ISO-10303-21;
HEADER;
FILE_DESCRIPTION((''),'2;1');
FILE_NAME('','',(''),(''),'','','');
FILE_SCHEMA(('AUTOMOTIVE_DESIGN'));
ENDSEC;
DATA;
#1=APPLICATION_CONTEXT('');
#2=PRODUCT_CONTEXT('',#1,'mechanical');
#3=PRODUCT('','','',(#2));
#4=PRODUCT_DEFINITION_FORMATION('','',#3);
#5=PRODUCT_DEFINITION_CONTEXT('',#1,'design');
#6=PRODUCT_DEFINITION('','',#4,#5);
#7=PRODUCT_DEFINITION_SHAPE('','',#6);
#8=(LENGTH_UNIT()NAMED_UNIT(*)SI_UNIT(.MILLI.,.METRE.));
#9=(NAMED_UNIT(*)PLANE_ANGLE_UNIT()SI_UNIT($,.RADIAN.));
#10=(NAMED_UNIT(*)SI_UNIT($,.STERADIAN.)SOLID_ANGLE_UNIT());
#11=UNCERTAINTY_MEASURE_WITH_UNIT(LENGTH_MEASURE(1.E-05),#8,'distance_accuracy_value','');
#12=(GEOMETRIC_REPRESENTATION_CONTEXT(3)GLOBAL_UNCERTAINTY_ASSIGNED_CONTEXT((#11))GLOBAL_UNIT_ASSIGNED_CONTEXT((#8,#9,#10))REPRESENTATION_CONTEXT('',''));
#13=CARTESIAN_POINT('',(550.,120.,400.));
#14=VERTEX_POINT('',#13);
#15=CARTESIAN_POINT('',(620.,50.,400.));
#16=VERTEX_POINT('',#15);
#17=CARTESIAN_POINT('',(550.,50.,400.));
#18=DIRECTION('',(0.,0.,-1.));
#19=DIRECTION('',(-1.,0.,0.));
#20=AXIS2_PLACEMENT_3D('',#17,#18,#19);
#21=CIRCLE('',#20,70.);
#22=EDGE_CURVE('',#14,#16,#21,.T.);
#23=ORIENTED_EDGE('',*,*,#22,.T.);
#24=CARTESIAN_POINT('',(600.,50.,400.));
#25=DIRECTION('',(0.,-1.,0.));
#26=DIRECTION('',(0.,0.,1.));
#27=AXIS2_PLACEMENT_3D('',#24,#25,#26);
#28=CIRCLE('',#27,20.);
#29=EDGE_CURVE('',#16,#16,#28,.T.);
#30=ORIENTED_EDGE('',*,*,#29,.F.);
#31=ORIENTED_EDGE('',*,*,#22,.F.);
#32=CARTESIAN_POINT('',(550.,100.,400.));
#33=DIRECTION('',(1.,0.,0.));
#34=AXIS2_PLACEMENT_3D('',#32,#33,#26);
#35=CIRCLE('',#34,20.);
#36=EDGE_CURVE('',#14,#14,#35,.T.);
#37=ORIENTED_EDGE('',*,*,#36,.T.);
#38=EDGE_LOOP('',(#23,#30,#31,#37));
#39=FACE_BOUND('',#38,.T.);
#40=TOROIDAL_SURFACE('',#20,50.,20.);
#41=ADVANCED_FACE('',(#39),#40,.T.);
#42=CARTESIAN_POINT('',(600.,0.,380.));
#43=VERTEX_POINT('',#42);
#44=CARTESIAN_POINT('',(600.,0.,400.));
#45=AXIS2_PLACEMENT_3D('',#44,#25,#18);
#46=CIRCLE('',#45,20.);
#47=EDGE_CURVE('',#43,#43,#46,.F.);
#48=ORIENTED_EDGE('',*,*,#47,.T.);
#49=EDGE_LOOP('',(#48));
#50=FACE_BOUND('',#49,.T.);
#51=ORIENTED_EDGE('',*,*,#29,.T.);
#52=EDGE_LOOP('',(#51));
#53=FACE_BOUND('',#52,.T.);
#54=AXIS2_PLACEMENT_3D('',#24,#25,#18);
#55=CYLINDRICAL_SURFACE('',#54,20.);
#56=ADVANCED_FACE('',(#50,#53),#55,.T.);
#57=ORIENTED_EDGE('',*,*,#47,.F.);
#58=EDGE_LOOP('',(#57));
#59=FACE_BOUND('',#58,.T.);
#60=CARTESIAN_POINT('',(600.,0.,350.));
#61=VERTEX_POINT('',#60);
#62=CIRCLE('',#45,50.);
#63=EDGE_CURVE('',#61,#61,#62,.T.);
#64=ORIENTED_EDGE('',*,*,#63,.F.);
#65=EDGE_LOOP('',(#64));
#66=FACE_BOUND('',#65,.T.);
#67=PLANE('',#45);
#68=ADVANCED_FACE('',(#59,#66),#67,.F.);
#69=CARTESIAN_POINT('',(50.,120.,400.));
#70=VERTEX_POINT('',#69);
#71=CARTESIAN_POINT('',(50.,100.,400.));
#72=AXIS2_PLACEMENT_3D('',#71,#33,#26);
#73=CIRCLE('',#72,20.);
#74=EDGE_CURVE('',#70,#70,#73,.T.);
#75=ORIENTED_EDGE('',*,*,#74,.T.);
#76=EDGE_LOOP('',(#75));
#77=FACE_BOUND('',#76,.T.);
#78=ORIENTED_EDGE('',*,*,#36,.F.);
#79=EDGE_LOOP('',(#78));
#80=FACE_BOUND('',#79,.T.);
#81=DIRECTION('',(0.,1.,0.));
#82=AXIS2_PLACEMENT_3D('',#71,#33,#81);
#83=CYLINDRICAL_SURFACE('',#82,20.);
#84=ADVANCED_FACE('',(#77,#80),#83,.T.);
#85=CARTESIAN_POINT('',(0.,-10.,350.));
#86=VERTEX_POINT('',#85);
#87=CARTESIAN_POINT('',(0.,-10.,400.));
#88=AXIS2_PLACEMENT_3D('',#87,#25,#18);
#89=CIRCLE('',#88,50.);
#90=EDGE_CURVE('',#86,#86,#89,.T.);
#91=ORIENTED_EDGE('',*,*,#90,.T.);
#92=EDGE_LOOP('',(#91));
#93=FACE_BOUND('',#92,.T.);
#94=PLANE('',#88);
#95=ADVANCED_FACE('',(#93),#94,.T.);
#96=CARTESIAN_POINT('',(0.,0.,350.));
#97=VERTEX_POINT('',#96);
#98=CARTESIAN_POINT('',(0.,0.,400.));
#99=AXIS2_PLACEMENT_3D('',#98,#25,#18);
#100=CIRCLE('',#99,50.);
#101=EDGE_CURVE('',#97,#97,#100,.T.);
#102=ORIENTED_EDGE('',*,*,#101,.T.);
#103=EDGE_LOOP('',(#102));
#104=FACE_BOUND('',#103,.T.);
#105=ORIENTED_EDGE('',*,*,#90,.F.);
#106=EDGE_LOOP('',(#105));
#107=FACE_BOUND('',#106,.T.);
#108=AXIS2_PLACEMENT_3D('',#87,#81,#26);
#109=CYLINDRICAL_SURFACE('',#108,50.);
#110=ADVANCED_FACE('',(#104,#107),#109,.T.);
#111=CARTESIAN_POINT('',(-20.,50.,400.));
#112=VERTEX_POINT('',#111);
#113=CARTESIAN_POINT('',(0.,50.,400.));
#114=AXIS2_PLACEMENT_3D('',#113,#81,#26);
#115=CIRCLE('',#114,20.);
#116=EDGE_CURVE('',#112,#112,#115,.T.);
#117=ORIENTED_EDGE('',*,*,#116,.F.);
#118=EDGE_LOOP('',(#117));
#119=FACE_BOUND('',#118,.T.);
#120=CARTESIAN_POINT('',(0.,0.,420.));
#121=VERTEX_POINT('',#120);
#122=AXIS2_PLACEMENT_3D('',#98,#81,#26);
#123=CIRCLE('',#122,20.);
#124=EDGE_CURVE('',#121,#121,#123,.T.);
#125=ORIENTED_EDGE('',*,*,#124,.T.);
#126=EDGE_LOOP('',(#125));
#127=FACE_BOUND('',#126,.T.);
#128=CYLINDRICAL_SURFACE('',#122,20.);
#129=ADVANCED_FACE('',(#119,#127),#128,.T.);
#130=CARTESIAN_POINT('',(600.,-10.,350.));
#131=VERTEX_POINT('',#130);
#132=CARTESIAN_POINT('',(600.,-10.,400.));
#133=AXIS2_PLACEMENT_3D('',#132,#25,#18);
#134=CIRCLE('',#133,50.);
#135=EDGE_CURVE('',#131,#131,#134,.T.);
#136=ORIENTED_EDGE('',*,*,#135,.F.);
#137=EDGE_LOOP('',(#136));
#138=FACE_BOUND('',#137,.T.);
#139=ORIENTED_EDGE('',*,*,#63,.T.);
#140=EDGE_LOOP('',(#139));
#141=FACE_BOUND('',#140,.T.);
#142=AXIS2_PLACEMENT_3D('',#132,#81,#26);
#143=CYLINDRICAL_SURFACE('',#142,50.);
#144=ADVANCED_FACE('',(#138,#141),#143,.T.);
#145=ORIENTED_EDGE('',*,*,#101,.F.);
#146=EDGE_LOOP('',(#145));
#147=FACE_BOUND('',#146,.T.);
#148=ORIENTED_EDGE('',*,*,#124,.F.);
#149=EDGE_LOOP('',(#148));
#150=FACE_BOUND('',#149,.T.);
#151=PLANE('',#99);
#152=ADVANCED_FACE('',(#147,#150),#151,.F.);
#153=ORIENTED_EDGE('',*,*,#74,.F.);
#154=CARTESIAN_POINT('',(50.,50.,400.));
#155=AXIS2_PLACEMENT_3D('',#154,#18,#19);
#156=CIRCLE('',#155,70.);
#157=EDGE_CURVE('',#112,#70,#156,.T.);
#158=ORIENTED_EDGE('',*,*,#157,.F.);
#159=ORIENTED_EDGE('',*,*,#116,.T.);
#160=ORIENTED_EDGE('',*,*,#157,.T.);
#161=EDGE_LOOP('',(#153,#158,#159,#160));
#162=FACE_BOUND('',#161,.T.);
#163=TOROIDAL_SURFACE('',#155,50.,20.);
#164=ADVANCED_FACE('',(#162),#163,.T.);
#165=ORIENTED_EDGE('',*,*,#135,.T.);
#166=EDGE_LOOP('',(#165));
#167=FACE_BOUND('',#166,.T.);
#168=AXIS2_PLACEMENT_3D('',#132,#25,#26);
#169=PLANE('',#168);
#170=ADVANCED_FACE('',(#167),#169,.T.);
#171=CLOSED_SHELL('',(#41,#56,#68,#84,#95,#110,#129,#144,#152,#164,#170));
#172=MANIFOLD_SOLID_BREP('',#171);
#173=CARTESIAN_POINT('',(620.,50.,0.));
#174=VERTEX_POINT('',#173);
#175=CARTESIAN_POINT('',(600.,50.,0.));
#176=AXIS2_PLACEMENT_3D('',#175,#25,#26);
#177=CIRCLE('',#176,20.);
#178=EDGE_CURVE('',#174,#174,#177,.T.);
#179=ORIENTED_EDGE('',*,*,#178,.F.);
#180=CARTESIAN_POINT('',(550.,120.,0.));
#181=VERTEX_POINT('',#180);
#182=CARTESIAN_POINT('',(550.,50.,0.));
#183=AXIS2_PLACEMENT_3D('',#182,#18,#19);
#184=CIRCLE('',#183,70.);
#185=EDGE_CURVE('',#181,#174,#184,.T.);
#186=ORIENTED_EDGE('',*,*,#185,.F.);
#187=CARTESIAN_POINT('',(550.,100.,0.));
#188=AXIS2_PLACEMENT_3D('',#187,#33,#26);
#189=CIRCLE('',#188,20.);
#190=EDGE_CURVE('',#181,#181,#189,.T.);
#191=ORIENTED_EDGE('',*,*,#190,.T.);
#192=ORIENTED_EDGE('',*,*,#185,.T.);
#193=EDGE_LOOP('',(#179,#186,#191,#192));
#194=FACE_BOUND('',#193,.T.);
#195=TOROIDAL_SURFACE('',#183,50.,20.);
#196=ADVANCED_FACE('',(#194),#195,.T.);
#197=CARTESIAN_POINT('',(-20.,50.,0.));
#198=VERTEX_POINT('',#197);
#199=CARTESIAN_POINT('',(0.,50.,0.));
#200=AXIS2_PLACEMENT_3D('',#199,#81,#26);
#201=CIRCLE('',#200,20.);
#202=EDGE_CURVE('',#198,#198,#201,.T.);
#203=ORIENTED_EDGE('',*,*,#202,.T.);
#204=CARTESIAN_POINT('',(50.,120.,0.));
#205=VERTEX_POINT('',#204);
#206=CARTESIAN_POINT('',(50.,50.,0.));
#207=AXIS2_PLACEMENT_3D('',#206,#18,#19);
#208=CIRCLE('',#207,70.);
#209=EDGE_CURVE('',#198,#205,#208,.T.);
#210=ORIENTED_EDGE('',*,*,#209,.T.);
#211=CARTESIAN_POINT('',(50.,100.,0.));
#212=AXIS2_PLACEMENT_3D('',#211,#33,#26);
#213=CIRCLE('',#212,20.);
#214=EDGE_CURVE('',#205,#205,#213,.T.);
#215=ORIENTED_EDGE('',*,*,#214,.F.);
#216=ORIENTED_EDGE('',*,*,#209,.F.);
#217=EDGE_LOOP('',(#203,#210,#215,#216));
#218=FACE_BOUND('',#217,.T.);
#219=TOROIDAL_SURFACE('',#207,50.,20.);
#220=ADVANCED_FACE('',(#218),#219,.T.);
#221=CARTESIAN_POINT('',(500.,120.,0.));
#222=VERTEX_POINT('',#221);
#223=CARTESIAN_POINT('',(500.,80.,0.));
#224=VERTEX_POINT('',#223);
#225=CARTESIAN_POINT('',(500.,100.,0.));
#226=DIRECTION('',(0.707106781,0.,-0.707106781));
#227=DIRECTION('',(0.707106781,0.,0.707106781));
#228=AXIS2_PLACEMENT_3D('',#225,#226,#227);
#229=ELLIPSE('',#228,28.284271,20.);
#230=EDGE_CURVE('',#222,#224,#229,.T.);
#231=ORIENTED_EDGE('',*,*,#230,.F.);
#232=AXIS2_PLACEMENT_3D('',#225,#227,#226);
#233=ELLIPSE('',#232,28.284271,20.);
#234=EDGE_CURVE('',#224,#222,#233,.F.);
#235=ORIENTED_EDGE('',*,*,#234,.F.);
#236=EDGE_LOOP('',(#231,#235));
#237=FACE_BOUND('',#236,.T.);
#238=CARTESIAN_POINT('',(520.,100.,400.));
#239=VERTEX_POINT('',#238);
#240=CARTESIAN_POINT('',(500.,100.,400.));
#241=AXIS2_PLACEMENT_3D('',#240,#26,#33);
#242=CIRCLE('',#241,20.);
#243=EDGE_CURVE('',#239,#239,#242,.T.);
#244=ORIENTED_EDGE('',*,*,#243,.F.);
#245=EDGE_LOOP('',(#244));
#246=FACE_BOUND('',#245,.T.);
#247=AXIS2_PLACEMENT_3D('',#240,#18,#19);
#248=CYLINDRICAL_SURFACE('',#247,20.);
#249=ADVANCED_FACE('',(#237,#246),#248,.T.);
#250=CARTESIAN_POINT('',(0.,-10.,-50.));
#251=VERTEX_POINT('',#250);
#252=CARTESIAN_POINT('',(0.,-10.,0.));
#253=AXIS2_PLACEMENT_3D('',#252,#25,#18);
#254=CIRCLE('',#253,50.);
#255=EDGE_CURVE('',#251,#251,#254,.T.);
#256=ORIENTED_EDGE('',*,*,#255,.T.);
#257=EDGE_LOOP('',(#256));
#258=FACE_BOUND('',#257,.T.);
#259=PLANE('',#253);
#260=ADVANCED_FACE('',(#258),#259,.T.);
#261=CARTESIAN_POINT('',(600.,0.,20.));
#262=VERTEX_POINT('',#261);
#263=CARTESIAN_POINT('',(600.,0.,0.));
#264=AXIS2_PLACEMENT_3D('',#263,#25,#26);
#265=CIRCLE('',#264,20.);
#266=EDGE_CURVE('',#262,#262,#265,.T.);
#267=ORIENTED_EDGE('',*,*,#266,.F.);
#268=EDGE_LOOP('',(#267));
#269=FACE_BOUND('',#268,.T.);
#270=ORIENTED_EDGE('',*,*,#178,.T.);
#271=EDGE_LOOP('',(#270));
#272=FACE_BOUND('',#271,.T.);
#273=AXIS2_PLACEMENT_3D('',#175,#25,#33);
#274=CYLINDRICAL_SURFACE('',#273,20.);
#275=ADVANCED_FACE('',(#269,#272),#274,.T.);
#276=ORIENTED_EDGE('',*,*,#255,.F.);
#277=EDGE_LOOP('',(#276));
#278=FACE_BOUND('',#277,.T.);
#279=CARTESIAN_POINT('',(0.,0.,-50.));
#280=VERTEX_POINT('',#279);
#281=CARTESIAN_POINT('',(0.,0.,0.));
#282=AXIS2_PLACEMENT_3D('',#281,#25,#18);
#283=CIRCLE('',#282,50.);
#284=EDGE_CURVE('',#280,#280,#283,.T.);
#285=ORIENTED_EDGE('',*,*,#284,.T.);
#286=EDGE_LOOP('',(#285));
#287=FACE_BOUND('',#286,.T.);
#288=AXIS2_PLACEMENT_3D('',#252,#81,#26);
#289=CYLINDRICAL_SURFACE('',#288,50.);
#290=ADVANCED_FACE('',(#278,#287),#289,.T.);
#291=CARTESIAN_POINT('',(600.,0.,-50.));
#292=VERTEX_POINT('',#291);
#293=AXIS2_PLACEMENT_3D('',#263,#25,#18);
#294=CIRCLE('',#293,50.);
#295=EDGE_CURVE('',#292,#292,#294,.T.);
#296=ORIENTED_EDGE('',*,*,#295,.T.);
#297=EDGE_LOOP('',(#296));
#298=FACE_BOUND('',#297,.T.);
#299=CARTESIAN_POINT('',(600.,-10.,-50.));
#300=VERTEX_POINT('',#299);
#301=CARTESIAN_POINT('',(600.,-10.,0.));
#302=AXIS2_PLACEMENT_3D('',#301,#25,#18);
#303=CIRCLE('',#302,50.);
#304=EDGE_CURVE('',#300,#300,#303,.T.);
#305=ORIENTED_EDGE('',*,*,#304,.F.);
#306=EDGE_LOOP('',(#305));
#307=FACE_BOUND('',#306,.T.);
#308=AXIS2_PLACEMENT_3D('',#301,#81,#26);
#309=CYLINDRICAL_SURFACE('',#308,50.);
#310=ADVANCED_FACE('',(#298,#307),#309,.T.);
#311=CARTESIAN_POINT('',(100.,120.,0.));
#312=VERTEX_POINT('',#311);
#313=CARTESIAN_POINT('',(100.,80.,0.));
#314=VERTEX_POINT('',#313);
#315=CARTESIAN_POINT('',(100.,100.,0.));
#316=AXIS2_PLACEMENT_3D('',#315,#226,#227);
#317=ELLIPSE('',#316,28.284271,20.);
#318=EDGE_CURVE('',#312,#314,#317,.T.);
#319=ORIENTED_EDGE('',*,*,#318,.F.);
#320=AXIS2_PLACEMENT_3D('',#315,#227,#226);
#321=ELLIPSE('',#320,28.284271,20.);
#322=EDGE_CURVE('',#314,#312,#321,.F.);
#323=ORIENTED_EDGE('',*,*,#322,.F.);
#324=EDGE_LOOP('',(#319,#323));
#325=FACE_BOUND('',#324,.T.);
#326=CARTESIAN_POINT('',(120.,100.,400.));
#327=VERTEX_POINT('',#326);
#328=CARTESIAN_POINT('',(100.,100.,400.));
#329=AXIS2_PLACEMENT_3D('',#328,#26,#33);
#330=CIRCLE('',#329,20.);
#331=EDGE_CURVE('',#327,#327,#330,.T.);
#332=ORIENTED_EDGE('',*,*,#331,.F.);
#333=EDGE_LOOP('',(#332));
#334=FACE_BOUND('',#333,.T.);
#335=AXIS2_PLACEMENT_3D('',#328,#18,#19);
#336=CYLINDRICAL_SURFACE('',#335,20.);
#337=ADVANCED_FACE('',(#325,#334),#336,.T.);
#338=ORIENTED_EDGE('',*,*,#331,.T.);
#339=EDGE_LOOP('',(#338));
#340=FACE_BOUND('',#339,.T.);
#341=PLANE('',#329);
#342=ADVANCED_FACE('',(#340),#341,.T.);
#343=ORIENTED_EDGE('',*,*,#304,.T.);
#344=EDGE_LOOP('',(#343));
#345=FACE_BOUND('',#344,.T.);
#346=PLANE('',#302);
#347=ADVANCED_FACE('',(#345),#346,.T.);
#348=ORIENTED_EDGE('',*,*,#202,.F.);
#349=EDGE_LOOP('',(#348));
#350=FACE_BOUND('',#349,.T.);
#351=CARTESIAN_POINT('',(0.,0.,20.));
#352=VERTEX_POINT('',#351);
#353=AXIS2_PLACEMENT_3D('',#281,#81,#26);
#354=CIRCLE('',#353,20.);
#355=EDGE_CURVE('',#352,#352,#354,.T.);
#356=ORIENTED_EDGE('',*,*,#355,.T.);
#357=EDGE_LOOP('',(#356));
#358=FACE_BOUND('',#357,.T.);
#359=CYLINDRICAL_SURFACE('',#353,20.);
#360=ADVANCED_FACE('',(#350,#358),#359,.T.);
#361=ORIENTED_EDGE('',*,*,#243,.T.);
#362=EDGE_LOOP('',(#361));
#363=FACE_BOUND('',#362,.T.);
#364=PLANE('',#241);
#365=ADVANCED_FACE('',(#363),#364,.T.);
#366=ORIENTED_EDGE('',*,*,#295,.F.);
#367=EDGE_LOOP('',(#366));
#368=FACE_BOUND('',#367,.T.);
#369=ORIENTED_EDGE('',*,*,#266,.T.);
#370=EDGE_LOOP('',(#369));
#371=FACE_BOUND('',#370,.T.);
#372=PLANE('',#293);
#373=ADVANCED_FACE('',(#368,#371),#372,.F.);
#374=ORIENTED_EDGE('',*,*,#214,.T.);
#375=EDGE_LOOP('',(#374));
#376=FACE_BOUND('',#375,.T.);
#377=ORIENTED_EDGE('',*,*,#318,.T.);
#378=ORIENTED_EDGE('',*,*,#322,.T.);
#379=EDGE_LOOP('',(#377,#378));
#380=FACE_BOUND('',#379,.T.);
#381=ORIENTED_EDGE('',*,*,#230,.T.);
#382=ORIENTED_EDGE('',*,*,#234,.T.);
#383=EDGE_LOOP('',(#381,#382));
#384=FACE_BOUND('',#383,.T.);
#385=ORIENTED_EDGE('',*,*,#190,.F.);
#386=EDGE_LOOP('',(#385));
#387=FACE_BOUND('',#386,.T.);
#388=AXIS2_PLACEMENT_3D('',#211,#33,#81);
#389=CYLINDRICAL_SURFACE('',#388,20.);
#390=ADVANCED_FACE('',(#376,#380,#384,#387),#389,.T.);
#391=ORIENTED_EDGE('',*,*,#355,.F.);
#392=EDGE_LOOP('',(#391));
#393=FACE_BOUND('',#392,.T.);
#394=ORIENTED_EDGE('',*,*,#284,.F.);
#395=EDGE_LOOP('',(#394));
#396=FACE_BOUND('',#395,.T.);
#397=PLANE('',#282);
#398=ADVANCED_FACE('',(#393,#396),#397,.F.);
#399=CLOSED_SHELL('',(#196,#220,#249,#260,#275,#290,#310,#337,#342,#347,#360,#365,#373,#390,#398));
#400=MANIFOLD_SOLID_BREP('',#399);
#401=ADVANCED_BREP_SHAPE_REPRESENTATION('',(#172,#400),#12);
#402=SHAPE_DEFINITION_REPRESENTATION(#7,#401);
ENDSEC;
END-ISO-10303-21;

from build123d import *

# Parameters (mm, degrees)
SKETCH3_R           = 20
SKETCH4_R           = 50
BOSS_EXTRUDE1_DEPTH = 10
SKETCH7_R           = 20
SKETCH9_R           = 50
BOSS_EXTRUDE2_DEPTH = 10
SKETCH11_R          = 20
BOSS_EXTRUDE3_DEPTH = 400


with BuildPart() as part:
    # Sweep1: sweep along a path in Sketch2
    with BuildLine(Plane.XY) as sweep1_path:
        Line((0, 0), (0, 50))
        ThreePointArc((0, 50), (14.644660941, 85.355339059), (50, 100))
        Line((50, 100), (550, 100))
        ThreePointArc((550, 100), (585.355339059, 85.355339059), (600, 50))
        Line((600, 50), (600, 0))
    # Sketch3 → Sweep1 (sweep)
    with BuildSketch(Plane(origin=(0, 0, 0), x_dir=(1, 0, 0), z_dir=(0, 1, 0))):
        Circle(SKETCH3_R)
    sweep(path=sweep1_path.line)

    # Sketch4 → Boss-Extrude1 (add)
    with BuildSketch(Plane.XZ):
        Circle(SKETCH4_R)
        with Locations((600, 0)):
            Circle(SKETCH4_R)
    extrude(amount=BOSS_EXTRUDE1_DEPTH)

    # Sketch11 → Boss-Extrude3 (add)
    with BuildSketch(Plane.XY):
        with Locations((100, 100)):
            Circle(SKETCH11_R)
        with Locations((500, 100)):
            Circle(SKETCH11_R)
    extrude(amount=BOSS_EXTRUDE3_DEPTH)


with BuildPart() as body_2:
    # Sweep2: sweep along a path in Sketch5
    with BuildLine(Plane.XY.offset(400)) as sweep2_path:
        Line((0, 0), (0, 50))
        ThreePointArc((0, 50), (14.644660941, 85.355339059), (50, 100))
        Line((50, 100), (550, 100))
        ThreePointArc((550, 100), (585.355339059, 85.355339059), (600, 50))
        Line((600, 50), (600, -10))
    # Sketch7 → Sweep2 (sweep)
    with BuildSketch(Plane(origin=(0, 0, 0), x_dir=(1, 0, 0), z_dir=(0, 1, 0))):
        with Locations((0, -400)):
            Circle(SKETCH7_R)
    sweep(path=sweep2_path.line)

    # Sketch9 → Boss-Extrude2 (add)
    with BuildSketch(Plane.XZ):
        with Locations((0, 400)):
            Circle(SKETCH9_R)
        with Locations((600, 400)):
            Circle(SKETCH9_R)
    extrude(amount=BOSS_EXTRUDE2_DEPTH)


solid = Compound([part.part, body_2.part])
